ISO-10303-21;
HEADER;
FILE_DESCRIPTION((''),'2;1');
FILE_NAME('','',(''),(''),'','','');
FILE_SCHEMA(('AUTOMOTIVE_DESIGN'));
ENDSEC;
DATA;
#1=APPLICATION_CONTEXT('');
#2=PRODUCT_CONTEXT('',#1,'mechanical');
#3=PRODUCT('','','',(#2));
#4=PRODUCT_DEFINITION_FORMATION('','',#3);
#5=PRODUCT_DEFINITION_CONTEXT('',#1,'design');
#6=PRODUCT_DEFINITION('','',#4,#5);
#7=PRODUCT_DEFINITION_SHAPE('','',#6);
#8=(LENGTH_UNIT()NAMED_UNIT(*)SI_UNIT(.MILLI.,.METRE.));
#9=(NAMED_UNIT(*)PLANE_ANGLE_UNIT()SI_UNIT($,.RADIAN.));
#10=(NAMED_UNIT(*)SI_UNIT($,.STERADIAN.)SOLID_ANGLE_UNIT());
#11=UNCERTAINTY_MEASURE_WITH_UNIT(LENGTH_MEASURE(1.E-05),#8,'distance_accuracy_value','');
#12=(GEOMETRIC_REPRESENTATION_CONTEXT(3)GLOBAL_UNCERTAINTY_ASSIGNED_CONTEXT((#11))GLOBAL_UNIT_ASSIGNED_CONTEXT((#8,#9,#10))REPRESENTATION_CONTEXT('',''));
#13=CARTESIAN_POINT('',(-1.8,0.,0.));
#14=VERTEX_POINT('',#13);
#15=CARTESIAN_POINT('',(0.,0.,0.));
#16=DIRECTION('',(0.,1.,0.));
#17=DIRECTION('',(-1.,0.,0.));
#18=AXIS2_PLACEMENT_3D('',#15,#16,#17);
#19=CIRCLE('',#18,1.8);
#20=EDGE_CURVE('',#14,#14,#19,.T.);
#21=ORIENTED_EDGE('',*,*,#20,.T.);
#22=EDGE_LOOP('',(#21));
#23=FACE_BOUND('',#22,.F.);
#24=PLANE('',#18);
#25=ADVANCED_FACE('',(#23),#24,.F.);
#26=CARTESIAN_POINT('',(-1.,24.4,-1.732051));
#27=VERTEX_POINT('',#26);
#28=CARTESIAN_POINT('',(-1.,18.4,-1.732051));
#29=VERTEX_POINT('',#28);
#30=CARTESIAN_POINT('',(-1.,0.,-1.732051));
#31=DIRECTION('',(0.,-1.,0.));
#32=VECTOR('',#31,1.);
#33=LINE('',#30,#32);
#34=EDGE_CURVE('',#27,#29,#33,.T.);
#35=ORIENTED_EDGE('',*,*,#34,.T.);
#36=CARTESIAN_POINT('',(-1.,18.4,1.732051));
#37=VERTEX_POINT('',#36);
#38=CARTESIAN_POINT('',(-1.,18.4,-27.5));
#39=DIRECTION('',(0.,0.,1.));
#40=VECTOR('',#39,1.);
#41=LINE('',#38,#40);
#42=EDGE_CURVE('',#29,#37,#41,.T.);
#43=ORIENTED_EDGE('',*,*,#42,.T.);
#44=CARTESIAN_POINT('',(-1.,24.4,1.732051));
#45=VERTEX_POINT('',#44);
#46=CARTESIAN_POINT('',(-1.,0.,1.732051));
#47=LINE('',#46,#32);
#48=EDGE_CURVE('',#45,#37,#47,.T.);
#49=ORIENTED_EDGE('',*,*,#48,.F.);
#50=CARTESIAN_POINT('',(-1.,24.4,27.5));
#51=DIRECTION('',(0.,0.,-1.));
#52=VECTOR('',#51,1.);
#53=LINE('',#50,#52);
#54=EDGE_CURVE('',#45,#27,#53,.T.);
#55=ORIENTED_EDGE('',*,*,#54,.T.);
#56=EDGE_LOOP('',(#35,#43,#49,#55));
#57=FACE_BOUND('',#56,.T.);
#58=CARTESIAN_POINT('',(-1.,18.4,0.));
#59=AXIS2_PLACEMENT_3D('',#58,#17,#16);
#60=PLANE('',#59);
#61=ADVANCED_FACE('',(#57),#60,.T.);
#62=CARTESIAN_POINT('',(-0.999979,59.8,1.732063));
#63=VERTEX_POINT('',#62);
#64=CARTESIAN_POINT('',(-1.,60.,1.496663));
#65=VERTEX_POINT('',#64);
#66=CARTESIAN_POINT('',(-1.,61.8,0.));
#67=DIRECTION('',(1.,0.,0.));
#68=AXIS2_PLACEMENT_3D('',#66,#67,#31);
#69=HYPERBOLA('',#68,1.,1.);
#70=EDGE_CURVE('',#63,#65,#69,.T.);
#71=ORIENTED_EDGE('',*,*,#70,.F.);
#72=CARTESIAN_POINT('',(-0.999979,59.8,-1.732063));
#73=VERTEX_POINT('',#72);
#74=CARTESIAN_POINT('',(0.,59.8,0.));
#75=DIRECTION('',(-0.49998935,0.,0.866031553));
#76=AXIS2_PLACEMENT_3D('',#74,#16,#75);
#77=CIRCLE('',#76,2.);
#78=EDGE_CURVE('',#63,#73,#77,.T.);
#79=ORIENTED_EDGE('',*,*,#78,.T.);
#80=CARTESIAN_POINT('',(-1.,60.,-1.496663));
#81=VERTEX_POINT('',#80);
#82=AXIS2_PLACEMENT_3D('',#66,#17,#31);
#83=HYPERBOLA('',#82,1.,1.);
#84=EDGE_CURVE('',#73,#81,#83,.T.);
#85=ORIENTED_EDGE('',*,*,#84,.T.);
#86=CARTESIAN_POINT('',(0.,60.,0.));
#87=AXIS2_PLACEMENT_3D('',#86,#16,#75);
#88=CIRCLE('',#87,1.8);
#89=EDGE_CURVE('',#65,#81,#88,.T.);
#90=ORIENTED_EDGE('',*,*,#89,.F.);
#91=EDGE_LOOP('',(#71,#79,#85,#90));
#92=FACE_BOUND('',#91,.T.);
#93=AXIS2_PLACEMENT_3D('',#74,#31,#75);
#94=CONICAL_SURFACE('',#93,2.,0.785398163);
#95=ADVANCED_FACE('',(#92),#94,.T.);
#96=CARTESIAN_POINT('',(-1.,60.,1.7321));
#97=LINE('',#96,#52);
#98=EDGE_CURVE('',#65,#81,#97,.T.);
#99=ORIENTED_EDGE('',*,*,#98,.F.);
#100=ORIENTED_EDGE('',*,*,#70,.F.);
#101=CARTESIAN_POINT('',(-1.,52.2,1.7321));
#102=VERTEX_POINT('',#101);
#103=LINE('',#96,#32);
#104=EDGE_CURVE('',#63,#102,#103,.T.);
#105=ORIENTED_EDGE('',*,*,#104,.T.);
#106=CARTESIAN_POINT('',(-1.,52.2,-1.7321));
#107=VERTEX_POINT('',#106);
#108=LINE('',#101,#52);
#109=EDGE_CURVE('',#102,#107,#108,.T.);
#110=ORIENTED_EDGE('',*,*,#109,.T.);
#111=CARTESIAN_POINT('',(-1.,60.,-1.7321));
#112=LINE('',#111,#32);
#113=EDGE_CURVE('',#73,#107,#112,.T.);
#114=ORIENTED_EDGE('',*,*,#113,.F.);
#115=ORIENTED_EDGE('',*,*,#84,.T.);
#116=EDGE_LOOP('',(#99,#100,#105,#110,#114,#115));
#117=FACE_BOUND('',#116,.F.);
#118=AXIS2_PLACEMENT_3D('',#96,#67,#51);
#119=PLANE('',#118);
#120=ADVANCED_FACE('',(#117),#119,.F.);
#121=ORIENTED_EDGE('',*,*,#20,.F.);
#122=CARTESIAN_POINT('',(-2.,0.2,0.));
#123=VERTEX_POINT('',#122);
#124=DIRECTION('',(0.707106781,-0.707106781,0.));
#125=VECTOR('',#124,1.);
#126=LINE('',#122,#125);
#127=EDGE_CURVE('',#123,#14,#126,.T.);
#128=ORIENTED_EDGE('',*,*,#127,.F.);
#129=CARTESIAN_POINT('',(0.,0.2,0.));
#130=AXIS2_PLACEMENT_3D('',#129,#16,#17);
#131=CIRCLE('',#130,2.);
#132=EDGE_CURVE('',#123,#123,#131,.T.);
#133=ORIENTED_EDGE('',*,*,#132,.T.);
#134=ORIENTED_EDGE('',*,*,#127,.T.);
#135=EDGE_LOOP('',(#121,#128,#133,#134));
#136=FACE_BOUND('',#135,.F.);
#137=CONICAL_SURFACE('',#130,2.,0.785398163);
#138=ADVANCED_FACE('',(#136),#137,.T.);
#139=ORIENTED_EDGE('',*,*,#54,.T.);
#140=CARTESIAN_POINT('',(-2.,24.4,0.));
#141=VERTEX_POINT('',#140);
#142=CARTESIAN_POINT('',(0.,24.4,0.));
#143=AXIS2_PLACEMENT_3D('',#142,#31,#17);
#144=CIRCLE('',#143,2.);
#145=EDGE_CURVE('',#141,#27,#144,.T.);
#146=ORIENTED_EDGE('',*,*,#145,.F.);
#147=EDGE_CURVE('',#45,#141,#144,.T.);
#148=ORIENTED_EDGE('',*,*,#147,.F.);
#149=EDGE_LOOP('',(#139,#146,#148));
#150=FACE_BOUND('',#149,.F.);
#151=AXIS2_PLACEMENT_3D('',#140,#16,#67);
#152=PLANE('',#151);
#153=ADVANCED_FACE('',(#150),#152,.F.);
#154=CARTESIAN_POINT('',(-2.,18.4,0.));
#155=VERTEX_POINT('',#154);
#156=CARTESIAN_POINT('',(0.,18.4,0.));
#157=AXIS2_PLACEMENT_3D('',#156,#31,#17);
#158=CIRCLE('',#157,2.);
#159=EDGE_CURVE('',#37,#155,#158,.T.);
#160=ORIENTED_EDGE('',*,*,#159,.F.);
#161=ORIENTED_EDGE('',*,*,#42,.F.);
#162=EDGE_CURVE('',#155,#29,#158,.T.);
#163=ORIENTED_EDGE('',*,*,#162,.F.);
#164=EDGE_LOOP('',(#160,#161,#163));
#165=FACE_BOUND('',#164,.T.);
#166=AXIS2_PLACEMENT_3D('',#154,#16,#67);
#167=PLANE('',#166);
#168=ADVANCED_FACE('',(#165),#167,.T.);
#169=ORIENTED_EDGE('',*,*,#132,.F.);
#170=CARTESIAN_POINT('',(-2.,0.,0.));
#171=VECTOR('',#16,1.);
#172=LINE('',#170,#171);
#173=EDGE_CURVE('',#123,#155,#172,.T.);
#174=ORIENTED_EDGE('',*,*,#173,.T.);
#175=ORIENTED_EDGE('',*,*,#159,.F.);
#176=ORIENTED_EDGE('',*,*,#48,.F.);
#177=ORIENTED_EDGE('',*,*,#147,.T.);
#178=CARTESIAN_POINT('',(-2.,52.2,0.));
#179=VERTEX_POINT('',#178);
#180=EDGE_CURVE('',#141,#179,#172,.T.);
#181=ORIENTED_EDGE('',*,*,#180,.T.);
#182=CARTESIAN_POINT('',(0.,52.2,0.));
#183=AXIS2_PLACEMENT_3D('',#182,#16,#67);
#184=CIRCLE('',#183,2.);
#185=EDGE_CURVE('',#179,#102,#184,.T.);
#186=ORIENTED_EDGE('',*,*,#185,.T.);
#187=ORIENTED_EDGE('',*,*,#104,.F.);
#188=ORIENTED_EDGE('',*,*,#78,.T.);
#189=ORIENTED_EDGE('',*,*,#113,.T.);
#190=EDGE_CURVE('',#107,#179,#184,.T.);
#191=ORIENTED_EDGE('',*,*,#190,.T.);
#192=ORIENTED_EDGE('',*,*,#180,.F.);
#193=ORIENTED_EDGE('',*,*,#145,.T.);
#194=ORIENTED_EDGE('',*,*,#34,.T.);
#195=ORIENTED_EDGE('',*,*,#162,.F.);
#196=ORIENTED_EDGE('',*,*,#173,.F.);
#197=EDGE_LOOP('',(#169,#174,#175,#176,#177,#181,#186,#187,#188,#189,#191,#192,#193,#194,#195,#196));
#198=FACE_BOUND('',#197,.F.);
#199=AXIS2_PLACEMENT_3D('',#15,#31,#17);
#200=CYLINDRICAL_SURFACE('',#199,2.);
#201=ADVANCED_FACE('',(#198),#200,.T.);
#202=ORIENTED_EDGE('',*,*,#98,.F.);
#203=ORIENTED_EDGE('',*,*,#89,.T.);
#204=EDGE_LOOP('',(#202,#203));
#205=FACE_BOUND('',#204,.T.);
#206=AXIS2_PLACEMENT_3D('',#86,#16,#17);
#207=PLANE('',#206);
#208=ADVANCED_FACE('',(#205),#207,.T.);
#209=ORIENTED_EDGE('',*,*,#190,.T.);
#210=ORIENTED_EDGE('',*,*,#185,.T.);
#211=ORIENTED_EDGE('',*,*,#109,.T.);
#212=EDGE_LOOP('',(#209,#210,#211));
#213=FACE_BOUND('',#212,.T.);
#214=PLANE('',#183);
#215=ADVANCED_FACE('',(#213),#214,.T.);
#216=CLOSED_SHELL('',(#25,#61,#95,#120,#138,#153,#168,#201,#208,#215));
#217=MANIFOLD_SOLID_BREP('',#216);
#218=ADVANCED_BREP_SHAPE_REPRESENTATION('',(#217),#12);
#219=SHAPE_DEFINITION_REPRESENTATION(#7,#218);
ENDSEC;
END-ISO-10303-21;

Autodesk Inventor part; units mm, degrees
ref_plane "YZ Plane" through (0, 0, 0) normal (1, 0, 0) x (0, 1, 0)
ref_plane "XZ Plane" through (0, 0, 0) normal (0, 1, 0) x (-1, 0, 0)
sketch "スケッチ1" plane through (0, 0, 0) normal (0, 1, 0) x (-1, 0, 0)
  circle A0 centre (0, 0) radius 2
  dimension "d0" = 4
extrude "押し出し1" add sketch "スケッチ1" along normal blind 60
sketch "スケッチ2" plane through (0, 60, 0) normal (0, 1, 0) x (1, 0, 0)
  circle A0 centre (0, 0) radius 2 projected
  line L0 (-1, -1.7321) -> (-1, 1.7321)
  dimension "d3" = 1
extrude "押し出し2" cut sketch "スケッチ2" against normal blind 7.8 contours L0 A0 picked at (-1.1242, -0.4849)
chamfer "面取り1" distance 0.2 angle 45 2 edges at (2, 60, 0) (2, 0, 0)
sketch "スケッチ3" plane through (0, 0, 0) normal (0, 0, 1) x (1, 0, 0)
  line L0 (-2, 18.4) -> (-1, 18.4)
  line L1 (-1, 18.4) -> (-1, 21.4)
  line L2 (-1, 21.4) -> (-2, 21.4)
  line L3 (-2, 21.4) -> (-2, 18.4)
  line L4 (1.8, 0) -> (-1.8, 0) projected
  line L5 (-2, 24.4) -> (-1, 24.4)
  line L6 (-1, 24.4) -> (-1, 21.4)
  line L7 (-2, 21.4) -> (-2, 24.4)
  line L8 (-2, 0.2) -> (-2, 52.2) projected
  point P0 (0, 0)
  dimension "d9" = 1
  dimension "d10" = 3
  dimension "d11" = 21.4
extrude "押し出し3" cut sketch "スケッチ3" along normal mid plane 55
ref_plane "作業平面1" through (0, 21.4, 0) normal (0, 1, 0) x (-1, 0, 0)
sketch "スケッチ5" plane through (0, 21.4, 0) normal (0, 1, 0) x (-1, 0, 0)
  line L0 (0, 0) -> (7.6217, 0)
properties part number "shaft" material "アルミニウム 6061"
